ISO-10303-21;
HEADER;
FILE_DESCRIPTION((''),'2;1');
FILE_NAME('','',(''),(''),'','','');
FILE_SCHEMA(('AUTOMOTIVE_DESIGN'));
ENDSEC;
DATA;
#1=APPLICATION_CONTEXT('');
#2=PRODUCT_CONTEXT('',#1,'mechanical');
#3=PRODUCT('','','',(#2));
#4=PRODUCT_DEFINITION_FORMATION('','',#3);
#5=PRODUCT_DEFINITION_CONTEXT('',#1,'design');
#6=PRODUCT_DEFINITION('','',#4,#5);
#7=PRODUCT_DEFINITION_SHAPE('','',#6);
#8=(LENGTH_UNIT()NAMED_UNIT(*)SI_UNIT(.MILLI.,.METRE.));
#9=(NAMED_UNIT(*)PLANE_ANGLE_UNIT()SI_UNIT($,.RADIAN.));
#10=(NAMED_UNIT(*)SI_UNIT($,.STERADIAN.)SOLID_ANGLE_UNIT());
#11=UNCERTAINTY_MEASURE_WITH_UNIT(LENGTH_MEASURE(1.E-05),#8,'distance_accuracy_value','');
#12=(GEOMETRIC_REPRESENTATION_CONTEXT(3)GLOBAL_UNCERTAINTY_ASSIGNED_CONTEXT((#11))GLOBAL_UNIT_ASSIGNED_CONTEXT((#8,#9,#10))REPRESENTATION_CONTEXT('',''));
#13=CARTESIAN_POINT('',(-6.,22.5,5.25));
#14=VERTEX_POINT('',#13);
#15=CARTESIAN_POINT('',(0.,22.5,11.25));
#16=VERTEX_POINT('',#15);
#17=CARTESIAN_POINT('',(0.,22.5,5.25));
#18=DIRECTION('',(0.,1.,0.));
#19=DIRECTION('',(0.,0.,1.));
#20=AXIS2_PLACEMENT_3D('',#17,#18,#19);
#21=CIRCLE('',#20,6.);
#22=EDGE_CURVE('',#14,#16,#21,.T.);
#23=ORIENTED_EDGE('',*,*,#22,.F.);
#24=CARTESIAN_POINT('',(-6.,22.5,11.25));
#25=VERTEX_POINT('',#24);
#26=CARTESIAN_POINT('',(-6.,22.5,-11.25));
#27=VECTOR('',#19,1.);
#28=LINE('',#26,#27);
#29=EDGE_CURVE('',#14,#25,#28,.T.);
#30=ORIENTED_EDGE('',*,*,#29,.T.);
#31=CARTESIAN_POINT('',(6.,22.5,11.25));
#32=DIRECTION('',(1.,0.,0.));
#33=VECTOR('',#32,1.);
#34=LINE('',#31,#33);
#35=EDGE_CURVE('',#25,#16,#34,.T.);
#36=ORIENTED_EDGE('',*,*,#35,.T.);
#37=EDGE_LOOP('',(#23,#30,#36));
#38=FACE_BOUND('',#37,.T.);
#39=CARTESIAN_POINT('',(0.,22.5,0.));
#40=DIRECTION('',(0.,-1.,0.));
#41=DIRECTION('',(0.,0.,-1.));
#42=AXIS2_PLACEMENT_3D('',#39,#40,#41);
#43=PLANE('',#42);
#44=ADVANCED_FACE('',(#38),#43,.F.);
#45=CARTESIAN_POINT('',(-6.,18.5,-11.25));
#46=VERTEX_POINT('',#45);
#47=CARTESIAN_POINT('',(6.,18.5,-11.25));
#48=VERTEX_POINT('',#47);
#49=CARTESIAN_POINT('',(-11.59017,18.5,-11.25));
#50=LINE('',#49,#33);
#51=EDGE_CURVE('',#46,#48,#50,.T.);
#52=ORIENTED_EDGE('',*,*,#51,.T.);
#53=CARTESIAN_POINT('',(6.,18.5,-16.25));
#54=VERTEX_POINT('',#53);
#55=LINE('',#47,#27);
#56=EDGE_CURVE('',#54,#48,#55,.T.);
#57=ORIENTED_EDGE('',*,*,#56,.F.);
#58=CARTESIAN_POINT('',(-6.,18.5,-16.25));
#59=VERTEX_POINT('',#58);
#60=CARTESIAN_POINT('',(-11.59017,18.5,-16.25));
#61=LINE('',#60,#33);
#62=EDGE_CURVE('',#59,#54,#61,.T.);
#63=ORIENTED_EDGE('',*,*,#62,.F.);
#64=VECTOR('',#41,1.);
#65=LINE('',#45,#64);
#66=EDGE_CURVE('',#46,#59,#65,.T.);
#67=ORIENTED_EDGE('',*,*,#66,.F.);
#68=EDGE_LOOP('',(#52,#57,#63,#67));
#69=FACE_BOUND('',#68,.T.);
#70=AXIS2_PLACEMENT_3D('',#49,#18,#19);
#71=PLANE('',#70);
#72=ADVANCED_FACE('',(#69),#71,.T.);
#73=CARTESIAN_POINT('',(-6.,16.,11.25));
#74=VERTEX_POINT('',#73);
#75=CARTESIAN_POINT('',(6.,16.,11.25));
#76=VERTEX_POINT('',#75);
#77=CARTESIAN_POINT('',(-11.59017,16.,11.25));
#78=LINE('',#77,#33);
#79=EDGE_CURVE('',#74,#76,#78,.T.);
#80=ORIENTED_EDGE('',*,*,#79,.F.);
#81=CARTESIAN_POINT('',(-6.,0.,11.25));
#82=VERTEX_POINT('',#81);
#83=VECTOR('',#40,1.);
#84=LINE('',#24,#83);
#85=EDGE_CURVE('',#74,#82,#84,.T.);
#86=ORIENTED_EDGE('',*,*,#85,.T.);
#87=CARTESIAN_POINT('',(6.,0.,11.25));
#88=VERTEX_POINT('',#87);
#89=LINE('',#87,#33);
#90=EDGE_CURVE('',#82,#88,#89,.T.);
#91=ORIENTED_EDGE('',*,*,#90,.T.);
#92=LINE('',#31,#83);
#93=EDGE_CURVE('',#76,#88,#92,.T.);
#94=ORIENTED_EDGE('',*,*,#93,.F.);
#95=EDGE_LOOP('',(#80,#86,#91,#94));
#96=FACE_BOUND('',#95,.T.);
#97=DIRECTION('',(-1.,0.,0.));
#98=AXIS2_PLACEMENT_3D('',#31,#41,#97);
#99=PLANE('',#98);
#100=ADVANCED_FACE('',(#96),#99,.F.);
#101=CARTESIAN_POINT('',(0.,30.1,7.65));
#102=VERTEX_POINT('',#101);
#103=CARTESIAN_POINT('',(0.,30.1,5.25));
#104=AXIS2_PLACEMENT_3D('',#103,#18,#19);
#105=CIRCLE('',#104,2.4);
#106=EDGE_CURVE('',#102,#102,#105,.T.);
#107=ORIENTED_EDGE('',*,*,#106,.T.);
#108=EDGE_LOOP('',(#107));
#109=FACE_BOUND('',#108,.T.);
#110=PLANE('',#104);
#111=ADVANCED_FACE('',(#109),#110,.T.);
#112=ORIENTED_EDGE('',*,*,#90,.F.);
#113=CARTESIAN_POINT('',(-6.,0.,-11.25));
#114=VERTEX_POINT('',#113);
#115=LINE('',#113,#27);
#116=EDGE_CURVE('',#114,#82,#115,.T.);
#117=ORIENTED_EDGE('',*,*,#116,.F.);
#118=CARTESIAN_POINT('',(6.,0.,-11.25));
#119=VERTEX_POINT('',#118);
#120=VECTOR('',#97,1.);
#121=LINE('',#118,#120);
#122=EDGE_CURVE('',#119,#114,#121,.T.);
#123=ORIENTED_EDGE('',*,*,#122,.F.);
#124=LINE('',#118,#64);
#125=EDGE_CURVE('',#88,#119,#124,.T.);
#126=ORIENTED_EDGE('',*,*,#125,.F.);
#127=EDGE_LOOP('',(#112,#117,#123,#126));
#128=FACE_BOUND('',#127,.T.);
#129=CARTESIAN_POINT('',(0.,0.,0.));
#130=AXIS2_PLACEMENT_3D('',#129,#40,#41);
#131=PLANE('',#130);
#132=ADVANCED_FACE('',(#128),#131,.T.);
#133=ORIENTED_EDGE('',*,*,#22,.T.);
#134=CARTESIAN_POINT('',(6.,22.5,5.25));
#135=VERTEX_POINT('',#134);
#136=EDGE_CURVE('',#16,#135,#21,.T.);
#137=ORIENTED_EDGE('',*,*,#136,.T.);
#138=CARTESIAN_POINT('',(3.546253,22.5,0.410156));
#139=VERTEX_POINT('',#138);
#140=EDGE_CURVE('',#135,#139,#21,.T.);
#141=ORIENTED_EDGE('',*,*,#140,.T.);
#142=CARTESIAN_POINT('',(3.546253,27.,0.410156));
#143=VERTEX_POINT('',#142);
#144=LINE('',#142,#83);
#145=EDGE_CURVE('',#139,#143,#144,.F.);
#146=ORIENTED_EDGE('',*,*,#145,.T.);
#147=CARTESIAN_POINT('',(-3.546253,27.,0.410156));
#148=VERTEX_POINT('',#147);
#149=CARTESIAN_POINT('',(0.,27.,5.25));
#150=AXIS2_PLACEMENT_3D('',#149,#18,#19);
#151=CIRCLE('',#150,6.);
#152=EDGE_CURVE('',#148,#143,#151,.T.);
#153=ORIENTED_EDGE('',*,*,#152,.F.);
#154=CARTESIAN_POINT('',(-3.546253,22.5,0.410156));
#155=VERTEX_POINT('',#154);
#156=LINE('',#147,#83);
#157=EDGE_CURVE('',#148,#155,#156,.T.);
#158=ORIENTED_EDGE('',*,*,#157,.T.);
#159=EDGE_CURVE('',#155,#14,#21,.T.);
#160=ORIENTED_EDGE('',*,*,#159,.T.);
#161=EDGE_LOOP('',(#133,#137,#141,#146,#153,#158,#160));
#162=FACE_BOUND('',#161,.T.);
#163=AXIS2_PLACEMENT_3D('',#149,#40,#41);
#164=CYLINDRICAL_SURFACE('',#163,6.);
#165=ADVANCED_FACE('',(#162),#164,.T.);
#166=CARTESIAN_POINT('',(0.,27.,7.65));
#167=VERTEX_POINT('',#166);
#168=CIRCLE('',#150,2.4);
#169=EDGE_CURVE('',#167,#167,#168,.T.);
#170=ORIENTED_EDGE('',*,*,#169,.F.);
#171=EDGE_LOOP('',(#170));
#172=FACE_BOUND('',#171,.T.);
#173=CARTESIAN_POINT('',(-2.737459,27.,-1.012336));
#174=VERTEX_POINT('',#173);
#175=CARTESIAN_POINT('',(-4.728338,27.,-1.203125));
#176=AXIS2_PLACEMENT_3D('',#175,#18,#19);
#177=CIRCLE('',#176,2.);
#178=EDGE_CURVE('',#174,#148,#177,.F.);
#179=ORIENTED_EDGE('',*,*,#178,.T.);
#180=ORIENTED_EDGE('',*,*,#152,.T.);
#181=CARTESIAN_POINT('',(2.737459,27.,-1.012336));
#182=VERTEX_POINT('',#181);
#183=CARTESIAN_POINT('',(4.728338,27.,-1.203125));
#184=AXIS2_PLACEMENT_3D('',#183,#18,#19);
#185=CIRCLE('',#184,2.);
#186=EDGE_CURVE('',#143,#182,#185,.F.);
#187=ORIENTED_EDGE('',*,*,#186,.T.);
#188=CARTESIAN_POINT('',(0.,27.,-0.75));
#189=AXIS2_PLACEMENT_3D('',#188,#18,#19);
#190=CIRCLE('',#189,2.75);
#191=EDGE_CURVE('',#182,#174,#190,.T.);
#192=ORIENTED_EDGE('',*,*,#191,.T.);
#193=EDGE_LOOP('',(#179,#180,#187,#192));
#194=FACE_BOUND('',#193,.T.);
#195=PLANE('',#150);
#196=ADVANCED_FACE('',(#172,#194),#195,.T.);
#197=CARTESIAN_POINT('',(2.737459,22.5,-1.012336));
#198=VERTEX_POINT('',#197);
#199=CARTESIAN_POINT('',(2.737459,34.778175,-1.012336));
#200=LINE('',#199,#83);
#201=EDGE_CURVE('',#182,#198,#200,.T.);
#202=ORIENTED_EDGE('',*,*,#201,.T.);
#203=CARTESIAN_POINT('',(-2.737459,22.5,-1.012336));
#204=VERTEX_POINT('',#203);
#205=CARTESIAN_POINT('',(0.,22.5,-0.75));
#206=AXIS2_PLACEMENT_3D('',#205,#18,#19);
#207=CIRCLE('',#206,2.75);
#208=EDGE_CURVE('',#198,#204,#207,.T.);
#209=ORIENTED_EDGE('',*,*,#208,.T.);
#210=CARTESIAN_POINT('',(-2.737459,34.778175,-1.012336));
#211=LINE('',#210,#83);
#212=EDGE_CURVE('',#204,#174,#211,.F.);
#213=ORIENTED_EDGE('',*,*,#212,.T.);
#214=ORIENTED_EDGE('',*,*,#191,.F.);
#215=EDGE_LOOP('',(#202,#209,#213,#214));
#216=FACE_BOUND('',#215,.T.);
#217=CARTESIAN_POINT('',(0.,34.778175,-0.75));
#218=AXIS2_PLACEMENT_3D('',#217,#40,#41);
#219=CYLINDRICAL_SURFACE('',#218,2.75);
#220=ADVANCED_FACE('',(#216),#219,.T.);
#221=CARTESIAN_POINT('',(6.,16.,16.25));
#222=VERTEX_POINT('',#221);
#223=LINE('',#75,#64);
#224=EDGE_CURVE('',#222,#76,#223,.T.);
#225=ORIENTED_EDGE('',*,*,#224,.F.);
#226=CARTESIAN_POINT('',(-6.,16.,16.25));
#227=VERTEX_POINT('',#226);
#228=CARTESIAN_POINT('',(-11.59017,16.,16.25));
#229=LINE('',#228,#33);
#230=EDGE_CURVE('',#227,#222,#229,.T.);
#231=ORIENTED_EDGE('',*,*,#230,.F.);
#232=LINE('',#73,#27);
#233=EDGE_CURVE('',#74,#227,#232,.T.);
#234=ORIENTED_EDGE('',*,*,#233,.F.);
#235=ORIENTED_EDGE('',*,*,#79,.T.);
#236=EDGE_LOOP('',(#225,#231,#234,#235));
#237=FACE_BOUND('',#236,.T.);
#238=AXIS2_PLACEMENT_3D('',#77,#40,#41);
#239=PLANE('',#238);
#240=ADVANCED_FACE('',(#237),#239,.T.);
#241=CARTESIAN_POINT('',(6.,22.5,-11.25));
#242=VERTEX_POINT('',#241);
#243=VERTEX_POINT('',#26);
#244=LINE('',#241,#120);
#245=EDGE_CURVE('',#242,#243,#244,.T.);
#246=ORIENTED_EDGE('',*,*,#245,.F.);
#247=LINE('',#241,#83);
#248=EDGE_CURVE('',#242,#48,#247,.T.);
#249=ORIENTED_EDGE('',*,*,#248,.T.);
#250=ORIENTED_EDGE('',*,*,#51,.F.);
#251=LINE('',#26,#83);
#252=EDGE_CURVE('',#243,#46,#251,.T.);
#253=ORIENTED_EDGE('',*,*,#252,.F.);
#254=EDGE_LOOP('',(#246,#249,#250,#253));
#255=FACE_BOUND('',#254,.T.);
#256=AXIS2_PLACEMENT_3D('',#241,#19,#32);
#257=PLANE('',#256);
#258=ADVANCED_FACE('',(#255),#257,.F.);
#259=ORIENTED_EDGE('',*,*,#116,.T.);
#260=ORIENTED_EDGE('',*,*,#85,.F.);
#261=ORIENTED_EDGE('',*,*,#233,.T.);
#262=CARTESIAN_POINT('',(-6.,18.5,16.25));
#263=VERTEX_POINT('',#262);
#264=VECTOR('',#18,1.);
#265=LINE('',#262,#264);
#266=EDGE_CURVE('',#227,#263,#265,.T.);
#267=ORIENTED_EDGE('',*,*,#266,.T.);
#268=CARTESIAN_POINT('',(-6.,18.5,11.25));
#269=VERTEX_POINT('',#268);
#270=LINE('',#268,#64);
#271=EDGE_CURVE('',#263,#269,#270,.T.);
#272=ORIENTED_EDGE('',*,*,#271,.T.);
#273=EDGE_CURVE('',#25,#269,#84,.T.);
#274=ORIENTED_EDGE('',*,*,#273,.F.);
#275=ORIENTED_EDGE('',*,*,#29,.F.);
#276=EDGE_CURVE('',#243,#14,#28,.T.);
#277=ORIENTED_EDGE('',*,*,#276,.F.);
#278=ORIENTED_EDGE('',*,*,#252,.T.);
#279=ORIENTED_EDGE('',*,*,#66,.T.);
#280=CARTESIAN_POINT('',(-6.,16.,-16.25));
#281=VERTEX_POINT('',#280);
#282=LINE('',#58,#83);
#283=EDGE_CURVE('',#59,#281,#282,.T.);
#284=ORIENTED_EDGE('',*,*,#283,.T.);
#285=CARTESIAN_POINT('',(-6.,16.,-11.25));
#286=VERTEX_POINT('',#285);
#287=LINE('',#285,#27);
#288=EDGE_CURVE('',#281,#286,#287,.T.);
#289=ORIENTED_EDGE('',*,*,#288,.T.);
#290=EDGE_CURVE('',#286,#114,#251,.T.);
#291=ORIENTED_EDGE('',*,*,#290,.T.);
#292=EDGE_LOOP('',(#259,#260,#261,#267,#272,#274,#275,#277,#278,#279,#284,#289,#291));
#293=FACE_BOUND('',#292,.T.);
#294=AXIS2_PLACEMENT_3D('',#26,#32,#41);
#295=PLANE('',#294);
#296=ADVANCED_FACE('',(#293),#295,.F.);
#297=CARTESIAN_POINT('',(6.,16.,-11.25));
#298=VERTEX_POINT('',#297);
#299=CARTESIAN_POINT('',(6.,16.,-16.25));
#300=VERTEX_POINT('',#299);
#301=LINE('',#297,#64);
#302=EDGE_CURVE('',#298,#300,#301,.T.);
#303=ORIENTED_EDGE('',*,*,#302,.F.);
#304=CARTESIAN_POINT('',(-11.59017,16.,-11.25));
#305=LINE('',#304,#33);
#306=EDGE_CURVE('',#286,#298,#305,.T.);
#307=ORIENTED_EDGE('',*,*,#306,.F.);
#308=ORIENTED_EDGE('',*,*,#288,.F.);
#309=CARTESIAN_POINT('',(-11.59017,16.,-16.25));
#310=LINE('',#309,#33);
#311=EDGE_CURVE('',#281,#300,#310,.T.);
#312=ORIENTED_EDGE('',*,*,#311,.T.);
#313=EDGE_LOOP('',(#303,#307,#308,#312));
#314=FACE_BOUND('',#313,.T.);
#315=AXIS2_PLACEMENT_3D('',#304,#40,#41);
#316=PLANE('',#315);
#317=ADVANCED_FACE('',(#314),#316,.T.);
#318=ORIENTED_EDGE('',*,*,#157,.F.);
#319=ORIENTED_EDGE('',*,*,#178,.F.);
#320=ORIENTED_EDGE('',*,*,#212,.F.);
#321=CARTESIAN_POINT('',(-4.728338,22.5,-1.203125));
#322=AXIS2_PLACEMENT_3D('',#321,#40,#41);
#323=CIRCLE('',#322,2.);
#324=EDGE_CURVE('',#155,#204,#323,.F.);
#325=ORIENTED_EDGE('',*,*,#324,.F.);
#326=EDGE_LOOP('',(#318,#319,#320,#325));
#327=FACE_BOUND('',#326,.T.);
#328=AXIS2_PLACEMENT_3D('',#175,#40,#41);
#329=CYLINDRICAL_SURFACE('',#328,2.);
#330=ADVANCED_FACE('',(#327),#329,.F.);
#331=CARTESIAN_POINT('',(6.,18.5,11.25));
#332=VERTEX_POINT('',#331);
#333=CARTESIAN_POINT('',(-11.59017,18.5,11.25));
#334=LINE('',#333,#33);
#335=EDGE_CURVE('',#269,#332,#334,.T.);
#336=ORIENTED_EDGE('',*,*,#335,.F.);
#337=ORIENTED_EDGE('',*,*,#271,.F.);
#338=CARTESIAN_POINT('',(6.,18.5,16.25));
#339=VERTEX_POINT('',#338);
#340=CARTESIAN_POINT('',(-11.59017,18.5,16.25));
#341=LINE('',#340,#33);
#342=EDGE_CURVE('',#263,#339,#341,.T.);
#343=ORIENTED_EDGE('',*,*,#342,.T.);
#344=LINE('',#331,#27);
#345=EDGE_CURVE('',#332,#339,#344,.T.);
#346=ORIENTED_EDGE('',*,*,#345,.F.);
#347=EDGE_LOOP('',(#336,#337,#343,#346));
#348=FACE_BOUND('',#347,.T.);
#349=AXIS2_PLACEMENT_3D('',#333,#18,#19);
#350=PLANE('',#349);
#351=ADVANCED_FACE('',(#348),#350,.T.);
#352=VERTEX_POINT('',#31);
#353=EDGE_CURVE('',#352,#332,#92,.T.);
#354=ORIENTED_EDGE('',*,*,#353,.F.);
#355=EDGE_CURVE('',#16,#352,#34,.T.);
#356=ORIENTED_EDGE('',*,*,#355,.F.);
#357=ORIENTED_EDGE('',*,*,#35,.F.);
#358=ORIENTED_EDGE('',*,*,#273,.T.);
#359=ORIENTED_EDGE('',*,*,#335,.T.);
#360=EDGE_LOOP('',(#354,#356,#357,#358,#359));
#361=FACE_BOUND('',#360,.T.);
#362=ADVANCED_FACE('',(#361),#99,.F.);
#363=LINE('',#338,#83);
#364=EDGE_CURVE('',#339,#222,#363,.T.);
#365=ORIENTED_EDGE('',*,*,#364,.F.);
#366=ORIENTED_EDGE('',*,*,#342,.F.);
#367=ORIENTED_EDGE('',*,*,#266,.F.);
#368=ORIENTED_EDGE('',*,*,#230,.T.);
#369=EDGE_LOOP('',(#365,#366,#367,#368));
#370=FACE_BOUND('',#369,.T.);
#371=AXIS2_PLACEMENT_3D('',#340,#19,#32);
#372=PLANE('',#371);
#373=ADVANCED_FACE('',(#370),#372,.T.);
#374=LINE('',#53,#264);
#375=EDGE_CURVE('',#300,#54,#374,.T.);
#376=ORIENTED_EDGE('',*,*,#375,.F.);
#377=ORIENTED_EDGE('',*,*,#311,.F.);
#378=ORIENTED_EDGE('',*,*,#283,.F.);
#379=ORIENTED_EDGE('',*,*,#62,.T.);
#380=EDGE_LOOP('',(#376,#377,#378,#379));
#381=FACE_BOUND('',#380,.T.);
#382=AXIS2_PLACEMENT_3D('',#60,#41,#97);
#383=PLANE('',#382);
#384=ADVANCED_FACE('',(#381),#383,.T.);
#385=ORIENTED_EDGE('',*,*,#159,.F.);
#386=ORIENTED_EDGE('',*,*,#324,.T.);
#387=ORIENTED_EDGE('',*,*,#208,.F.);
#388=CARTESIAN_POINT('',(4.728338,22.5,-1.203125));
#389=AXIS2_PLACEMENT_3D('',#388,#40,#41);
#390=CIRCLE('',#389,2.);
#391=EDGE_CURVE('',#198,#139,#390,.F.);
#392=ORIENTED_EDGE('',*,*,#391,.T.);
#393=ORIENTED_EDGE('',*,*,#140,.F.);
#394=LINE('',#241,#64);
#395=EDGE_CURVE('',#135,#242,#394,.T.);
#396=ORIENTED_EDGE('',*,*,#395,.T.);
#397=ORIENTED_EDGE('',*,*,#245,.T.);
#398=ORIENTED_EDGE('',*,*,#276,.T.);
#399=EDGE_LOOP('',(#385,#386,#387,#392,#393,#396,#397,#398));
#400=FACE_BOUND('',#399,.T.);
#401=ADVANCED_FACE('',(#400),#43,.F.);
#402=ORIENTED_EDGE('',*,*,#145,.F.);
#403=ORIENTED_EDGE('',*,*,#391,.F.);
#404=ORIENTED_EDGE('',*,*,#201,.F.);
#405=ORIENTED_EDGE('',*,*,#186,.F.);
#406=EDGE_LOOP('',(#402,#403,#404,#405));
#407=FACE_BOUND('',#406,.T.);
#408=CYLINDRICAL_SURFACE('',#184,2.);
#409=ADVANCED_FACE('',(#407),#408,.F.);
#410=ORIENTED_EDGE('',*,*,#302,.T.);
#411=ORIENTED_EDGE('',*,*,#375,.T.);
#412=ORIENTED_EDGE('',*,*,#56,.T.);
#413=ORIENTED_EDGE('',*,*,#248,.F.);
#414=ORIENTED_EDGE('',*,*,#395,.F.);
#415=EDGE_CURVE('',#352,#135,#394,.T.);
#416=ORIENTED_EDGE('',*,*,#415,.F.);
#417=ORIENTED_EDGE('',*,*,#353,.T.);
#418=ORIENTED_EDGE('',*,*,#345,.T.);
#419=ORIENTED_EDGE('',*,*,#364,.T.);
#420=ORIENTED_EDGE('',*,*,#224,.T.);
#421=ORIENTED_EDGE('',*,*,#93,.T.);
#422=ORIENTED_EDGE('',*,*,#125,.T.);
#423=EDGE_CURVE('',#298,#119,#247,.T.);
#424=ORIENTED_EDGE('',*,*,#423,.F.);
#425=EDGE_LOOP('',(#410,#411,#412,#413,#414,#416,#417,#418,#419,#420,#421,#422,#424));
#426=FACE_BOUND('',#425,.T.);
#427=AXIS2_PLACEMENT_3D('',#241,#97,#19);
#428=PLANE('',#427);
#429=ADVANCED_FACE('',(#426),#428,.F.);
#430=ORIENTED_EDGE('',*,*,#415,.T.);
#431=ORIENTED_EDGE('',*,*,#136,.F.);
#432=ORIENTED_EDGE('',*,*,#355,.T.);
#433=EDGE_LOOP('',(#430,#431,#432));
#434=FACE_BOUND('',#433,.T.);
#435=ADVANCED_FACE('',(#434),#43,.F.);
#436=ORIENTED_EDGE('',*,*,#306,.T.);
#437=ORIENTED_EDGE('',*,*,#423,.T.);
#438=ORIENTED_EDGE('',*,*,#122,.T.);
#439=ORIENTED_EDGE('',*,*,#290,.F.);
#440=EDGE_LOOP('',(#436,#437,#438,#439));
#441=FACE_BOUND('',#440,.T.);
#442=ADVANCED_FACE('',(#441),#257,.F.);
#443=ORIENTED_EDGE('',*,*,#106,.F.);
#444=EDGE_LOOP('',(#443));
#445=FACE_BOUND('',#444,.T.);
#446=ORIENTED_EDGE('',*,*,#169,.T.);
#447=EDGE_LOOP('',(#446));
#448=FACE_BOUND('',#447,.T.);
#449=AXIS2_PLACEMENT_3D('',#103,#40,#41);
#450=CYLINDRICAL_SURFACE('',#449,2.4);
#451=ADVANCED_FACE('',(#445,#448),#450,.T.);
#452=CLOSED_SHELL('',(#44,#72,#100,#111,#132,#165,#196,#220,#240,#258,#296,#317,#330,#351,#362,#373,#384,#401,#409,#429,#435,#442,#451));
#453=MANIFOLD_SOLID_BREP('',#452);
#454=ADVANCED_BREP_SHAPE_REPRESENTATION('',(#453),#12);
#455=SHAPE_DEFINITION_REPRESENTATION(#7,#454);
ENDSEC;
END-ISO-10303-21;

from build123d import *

# Parameters (mm, degrees)
CROQUIS1_W              = 12
CROQUIS1_H              = 22.5
SALIENTE_EXTRUIR1_DEPTH = 22.5
CROQUIS2_W              = 5
CROQUIS2_H              = 2.5
SALIENTE_EXTRUIR2_DEPTH = 12
CROQUIS3_R              = 6
SALIENTE_EXTRUIR3_DEPTH = 4.5
CROQUIS4_R              = 2.4
SALIENTE_EXTRUIR4_DEPTH = 3.1
CROQUIS5_R              = 2.75
SALIENTE_EXTRUIR5_DEPTH = 4.5
REDONDEO1_R             = 2


with BuildPart() as part:
    # Croquis1 → Saliente-Extruir1 (new body)
    with BuildSketch(Plane(origin=(0, 0, 0), x_dir=(1, 0, 0), z_dir=(0, 1, 0))):
        Rectangle(CROQUIS1_W, CROQUIS1_H)
    extrude(amount=SALIENTE_EXTRUIR1_DEPTH)

    # Croquis2 → Saliente-Extruir2 (add)
    with BuildSketch(Plane(origin=(6, 0, 0), x_dir=(0, 0, -1), z_dir=(1, 0, 0))):
        with Locations((-13.75, 17.25)):
            Rectangle(CROQUIS2_W, CROQUIS2_H)
        with Locations((13.75, 17.25)):
            Rectangle(CROQUIS2_W, CROQUIS2_H)
    extrude(amount=-SALIENTE_EXTRUIR2_DEPTH)

    # Croquis3 → Saliente-Extruir3 (add)
    with BuildSketch(Plane(origin=(0, 22.5, 0), x_dir=(1, 0, 0), z_dir=(0, 1, 0))):
        with Locations((0, -5.25)):
            Circle(CROQUIS3_R)
    extrude(amount=SALIENTE_EXTRUIR3_DEPTH)

    # Croquis4 → Saliente-Extruir4 (add)
    with BuildSketch(Plane(origin=(0, 27, 0), x_dir=(1, 0, 0), z_dir=(0, 1, 0))):
        with Locations((0, -5.25)):
            Circle(CROQUIS4_R)
    extrude(amount=SALIENTE_EXTRUIR4_DEPTH)

    # Croquis5 → Saliente-Extruir5 (add)
    with BuildSketch(Plane(origin=(0, 22.5, 0), x_dir=(1, 0, 0), z_dir=(0, 1, 0))):
        with Locations((0, 0.75)):
            Circle(CROQUIS5_R)
    extrude(amount=SALIENTE_EXTRUIR5_DEPTH)

    # Redondeo1
    redondeo1_edges = [part.edges().sort_by_distance(p)[0] for p in [
        (2.676814797, 24.75, -0.119791667),
        (-2.676814797, 24.75, -0.119791667),
    ]]
    fillet(redondeo1_edges, radius=REDONDEO1_R)


solid = part.part
